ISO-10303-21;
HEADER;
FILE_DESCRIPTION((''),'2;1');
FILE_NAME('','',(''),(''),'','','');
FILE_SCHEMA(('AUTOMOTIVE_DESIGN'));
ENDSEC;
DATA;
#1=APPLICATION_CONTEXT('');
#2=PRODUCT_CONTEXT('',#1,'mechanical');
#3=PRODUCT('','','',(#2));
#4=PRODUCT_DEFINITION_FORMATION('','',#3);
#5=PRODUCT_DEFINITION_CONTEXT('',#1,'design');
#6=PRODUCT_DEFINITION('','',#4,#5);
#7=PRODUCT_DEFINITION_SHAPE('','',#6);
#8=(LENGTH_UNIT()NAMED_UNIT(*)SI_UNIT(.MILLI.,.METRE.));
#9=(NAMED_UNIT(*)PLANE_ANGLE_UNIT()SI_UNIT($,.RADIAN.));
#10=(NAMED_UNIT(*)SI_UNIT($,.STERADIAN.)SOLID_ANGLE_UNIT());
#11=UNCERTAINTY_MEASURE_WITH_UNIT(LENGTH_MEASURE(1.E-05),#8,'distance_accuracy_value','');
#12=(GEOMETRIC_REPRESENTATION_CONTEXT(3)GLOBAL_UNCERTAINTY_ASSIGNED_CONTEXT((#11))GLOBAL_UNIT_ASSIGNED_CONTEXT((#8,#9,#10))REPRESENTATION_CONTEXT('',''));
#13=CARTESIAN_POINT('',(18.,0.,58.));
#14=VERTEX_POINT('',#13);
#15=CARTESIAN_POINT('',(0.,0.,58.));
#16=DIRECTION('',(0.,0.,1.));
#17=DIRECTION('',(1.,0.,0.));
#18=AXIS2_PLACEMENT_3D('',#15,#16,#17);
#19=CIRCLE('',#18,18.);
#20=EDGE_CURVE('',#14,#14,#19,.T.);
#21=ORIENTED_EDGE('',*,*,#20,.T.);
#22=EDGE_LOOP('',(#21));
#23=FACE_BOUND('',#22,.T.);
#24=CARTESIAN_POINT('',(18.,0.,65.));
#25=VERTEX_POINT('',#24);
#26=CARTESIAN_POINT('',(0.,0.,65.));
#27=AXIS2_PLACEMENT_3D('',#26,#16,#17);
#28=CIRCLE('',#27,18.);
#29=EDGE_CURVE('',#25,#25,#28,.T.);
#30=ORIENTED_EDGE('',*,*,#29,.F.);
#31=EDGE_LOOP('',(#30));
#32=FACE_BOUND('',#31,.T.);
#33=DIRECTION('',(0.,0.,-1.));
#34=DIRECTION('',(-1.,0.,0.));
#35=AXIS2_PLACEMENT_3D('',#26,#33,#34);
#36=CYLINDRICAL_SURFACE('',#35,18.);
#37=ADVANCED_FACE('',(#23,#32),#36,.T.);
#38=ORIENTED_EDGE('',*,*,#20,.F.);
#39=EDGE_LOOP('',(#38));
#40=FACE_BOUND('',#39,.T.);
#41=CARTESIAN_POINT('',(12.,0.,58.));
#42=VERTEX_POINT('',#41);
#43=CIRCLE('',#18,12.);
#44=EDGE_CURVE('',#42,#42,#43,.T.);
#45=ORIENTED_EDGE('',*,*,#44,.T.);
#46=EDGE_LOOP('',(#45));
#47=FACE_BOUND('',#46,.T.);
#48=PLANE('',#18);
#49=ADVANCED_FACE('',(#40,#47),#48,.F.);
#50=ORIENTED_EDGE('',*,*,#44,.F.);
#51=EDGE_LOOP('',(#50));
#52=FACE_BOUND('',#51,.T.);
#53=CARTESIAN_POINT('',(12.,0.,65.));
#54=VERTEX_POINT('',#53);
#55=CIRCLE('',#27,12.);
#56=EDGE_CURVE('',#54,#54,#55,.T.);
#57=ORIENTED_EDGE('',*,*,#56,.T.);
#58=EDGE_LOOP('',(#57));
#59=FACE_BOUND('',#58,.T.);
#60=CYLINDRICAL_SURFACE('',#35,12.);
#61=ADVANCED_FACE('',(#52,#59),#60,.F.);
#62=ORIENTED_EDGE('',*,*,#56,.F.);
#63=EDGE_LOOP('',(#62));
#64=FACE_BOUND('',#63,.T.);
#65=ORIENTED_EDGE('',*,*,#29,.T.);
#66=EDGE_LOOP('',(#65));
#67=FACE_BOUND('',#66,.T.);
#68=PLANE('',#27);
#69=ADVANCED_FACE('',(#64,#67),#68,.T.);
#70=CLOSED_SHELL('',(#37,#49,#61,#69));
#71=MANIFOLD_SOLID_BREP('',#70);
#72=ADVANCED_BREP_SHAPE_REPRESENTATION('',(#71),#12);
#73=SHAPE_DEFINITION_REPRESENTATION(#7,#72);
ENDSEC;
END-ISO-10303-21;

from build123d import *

# Parameters (mm, degrees)
UPPER_START                        = 58
SKETCH1_R                          = 18
SKETCH1_R_2                        = 12
UPPER_SLEEVE_24_ID_AND_36_OD_DEPTH = 7


with BuildPart() as part:
    # Sketch1 → Upper sleeve - 24 ID and 36 OD (new body)
    with BuildSketch(Plane.XY.offset(UPPER_START)):
        Circle(SKETCH1_R)
        Circle(SKETCH1_R_2, mode=Mode.SUBTRACT)
    extrude(amount=UPPER_SLEEVE_24_ID_AND_36_OD_DEPTH)


solid = part.part
